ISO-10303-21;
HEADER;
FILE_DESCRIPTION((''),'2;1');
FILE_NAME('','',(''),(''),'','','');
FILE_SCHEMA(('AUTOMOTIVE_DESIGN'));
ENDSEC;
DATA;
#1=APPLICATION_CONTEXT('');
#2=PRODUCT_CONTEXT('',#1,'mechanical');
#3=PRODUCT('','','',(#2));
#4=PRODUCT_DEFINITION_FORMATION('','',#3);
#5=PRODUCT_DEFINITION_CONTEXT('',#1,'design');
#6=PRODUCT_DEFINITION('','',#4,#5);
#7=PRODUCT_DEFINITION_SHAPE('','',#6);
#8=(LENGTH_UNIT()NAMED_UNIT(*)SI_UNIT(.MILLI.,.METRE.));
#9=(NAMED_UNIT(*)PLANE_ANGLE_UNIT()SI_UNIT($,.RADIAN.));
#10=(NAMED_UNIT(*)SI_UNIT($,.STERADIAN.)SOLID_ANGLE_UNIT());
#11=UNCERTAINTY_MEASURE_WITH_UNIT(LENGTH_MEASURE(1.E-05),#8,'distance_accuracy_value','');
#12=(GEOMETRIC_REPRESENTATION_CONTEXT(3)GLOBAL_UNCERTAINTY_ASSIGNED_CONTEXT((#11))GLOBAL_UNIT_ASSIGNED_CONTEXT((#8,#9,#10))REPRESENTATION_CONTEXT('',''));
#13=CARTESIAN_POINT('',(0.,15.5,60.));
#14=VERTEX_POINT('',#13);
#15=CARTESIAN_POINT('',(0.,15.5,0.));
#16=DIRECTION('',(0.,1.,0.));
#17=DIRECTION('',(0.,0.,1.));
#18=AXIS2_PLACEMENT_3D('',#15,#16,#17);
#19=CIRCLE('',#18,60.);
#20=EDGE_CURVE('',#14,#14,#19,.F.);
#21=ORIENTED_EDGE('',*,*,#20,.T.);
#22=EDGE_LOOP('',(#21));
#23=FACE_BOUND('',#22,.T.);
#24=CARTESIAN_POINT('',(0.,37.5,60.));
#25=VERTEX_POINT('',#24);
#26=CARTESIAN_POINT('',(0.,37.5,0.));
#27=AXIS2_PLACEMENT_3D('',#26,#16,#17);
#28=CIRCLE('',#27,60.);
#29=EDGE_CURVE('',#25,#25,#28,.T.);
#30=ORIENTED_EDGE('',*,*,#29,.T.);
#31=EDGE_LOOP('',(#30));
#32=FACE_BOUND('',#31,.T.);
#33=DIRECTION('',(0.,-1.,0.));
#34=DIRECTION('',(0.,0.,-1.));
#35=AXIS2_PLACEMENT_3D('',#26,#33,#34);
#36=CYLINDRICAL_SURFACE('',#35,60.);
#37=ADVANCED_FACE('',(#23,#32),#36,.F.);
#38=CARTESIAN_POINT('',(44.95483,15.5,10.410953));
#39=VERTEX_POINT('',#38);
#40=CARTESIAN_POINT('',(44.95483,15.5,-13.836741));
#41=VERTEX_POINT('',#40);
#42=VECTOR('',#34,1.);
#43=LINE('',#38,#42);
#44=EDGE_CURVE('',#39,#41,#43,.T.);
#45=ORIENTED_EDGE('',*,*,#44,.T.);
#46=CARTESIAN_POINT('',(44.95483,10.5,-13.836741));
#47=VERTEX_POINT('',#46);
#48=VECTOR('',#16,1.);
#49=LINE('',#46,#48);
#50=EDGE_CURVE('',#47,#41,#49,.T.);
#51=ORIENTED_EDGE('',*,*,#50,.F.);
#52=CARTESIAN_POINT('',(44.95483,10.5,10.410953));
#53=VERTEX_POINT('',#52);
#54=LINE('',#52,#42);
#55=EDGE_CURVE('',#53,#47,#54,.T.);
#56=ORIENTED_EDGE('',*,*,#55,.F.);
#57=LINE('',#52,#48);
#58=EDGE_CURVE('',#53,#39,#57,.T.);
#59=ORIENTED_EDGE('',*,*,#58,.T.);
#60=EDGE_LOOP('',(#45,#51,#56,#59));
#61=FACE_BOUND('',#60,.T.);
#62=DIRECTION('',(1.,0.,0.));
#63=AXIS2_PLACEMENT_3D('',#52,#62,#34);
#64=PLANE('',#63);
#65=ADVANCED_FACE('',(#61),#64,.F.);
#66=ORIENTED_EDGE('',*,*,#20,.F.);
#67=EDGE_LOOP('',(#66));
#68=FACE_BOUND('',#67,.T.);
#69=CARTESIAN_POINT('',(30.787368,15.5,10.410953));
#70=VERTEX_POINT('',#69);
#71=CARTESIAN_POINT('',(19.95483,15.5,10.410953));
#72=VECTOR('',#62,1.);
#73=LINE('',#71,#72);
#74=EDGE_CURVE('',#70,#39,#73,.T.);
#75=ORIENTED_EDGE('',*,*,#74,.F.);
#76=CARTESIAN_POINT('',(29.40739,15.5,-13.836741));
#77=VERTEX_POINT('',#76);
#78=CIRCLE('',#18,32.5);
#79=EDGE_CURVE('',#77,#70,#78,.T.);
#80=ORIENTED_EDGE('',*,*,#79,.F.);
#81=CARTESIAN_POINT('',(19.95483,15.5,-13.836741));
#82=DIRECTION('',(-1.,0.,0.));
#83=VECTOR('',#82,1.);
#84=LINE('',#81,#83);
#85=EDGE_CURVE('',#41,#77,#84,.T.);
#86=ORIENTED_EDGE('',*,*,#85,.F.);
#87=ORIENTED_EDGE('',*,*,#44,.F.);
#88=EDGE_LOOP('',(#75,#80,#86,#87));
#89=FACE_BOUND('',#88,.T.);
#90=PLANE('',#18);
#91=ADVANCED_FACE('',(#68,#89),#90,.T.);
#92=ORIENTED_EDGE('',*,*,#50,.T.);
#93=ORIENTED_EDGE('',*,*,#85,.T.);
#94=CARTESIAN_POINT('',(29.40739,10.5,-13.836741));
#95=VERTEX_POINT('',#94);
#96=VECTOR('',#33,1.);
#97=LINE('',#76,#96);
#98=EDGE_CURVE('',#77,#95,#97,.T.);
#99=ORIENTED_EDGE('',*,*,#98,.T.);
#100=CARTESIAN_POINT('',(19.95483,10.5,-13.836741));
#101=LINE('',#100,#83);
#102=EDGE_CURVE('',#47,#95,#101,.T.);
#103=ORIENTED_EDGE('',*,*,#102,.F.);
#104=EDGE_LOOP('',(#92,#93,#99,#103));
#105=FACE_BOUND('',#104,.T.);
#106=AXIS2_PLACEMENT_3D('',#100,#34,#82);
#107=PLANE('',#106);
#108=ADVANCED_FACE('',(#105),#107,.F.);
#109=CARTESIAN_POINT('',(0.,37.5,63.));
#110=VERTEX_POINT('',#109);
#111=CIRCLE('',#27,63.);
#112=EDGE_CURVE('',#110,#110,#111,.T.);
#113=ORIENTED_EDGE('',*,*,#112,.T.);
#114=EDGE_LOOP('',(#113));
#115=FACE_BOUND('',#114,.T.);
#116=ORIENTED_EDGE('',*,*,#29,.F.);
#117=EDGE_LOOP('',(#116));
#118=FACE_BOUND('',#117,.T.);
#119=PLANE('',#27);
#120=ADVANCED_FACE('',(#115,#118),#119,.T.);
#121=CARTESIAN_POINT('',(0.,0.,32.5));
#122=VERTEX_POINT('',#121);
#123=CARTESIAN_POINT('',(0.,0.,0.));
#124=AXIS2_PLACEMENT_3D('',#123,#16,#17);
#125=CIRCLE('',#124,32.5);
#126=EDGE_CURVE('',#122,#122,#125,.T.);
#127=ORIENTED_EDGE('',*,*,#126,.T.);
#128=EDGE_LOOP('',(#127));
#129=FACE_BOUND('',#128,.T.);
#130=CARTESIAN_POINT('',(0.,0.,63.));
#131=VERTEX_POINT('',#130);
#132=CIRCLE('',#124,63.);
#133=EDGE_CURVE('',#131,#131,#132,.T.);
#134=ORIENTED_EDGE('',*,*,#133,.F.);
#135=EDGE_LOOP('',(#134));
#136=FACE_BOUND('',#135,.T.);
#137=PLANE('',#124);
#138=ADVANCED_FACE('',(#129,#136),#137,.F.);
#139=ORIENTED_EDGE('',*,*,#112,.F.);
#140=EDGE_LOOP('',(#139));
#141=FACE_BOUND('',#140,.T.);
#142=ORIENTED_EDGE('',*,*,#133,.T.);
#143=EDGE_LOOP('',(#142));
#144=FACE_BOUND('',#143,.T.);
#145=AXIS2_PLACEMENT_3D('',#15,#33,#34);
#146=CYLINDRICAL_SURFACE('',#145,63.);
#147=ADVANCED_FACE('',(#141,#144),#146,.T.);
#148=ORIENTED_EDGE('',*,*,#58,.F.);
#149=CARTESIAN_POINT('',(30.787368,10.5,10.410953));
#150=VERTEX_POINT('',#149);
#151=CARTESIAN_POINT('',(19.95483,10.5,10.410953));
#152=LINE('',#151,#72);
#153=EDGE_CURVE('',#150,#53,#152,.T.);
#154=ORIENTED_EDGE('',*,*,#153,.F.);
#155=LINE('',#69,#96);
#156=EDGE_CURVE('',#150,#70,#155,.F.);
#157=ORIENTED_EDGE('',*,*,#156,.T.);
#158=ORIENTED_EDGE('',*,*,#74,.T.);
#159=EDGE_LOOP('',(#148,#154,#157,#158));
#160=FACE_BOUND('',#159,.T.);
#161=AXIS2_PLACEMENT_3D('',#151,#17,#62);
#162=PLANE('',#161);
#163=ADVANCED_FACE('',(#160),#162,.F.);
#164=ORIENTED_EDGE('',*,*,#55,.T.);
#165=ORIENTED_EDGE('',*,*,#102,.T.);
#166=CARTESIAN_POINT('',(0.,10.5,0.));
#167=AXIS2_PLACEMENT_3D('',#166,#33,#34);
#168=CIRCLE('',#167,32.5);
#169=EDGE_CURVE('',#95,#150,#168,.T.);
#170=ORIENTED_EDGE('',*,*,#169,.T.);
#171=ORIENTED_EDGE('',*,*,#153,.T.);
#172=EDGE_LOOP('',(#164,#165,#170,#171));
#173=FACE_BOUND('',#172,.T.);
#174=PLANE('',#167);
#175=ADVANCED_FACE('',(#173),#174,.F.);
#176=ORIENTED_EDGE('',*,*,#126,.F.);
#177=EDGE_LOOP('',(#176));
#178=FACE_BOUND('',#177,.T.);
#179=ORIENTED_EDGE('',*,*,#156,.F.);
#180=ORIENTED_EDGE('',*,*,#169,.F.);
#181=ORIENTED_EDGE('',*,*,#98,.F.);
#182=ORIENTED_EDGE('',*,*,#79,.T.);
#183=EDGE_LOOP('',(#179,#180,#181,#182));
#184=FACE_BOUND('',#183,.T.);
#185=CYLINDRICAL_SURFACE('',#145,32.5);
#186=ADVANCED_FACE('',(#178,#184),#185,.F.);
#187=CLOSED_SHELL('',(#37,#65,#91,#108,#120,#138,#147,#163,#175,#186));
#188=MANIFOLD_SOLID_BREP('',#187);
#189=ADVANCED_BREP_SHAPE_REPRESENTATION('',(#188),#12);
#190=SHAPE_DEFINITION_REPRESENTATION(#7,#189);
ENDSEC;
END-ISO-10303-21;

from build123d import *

# Parameters (mm, degrees)
SKETCH4_R           = 63
SKETCH4_R_2         = 32.5
BOSS_EXTRUDE1_DEPTH = 15.5
SKETCH5_R           = 63
SKETCH5_R_2         = 60
BOSS_EXTRUDE2_DEPTH = 22
SKETCH7_W           = 25
SKETCH7_H           = 24.247693635
CUT_EXTRUDE1_DEPTH  = 5


with BuildPart() as part:
    # Sketch4 → Boss-Extrude1 (new body)
    with BuildSketch(Plane(origin=(0, 0, 0), x_dir=(1, 0, 0), z_dir=(0, 1, 0))):
        Circle(SKETCH4_R)
        Circle(SKETCH4_R_2, mode=Mode.SUBTRACT)
    extrude(amount=BOSS_EXTRUDE1_DEPTH)

    # Sketch5 → Boss-Extrude2 (add)
    with BuildSketch(Plane(origin=(0, 15.5, 0), x_dir=(1, 0, 0), z_dir=(0, 1, 0))):
        Circle(SKETCH5_R)
        Circle(SKETCH5_R_2, mode=Mode.SUBTRACT)
    extrude(amount=BOSS_EXTRUDE2_DEPTH)

    # Sketch7 → Cut-Extrude1 (cut)
    with BuildSketch(Plane(origin=(0, 15.5, 0), x_dir=(1, 0, 0), z_dir=(0, 1, 0))):
        with Locations((32.454830069, 1.71289381)):
            Rectangle(SKETCH7_W, SKETCH7_H)
    extrude(amount=-CUT_EXTRUDE1_DEPTH, mode=Mode.SUBTRACT)


solid = part.part
